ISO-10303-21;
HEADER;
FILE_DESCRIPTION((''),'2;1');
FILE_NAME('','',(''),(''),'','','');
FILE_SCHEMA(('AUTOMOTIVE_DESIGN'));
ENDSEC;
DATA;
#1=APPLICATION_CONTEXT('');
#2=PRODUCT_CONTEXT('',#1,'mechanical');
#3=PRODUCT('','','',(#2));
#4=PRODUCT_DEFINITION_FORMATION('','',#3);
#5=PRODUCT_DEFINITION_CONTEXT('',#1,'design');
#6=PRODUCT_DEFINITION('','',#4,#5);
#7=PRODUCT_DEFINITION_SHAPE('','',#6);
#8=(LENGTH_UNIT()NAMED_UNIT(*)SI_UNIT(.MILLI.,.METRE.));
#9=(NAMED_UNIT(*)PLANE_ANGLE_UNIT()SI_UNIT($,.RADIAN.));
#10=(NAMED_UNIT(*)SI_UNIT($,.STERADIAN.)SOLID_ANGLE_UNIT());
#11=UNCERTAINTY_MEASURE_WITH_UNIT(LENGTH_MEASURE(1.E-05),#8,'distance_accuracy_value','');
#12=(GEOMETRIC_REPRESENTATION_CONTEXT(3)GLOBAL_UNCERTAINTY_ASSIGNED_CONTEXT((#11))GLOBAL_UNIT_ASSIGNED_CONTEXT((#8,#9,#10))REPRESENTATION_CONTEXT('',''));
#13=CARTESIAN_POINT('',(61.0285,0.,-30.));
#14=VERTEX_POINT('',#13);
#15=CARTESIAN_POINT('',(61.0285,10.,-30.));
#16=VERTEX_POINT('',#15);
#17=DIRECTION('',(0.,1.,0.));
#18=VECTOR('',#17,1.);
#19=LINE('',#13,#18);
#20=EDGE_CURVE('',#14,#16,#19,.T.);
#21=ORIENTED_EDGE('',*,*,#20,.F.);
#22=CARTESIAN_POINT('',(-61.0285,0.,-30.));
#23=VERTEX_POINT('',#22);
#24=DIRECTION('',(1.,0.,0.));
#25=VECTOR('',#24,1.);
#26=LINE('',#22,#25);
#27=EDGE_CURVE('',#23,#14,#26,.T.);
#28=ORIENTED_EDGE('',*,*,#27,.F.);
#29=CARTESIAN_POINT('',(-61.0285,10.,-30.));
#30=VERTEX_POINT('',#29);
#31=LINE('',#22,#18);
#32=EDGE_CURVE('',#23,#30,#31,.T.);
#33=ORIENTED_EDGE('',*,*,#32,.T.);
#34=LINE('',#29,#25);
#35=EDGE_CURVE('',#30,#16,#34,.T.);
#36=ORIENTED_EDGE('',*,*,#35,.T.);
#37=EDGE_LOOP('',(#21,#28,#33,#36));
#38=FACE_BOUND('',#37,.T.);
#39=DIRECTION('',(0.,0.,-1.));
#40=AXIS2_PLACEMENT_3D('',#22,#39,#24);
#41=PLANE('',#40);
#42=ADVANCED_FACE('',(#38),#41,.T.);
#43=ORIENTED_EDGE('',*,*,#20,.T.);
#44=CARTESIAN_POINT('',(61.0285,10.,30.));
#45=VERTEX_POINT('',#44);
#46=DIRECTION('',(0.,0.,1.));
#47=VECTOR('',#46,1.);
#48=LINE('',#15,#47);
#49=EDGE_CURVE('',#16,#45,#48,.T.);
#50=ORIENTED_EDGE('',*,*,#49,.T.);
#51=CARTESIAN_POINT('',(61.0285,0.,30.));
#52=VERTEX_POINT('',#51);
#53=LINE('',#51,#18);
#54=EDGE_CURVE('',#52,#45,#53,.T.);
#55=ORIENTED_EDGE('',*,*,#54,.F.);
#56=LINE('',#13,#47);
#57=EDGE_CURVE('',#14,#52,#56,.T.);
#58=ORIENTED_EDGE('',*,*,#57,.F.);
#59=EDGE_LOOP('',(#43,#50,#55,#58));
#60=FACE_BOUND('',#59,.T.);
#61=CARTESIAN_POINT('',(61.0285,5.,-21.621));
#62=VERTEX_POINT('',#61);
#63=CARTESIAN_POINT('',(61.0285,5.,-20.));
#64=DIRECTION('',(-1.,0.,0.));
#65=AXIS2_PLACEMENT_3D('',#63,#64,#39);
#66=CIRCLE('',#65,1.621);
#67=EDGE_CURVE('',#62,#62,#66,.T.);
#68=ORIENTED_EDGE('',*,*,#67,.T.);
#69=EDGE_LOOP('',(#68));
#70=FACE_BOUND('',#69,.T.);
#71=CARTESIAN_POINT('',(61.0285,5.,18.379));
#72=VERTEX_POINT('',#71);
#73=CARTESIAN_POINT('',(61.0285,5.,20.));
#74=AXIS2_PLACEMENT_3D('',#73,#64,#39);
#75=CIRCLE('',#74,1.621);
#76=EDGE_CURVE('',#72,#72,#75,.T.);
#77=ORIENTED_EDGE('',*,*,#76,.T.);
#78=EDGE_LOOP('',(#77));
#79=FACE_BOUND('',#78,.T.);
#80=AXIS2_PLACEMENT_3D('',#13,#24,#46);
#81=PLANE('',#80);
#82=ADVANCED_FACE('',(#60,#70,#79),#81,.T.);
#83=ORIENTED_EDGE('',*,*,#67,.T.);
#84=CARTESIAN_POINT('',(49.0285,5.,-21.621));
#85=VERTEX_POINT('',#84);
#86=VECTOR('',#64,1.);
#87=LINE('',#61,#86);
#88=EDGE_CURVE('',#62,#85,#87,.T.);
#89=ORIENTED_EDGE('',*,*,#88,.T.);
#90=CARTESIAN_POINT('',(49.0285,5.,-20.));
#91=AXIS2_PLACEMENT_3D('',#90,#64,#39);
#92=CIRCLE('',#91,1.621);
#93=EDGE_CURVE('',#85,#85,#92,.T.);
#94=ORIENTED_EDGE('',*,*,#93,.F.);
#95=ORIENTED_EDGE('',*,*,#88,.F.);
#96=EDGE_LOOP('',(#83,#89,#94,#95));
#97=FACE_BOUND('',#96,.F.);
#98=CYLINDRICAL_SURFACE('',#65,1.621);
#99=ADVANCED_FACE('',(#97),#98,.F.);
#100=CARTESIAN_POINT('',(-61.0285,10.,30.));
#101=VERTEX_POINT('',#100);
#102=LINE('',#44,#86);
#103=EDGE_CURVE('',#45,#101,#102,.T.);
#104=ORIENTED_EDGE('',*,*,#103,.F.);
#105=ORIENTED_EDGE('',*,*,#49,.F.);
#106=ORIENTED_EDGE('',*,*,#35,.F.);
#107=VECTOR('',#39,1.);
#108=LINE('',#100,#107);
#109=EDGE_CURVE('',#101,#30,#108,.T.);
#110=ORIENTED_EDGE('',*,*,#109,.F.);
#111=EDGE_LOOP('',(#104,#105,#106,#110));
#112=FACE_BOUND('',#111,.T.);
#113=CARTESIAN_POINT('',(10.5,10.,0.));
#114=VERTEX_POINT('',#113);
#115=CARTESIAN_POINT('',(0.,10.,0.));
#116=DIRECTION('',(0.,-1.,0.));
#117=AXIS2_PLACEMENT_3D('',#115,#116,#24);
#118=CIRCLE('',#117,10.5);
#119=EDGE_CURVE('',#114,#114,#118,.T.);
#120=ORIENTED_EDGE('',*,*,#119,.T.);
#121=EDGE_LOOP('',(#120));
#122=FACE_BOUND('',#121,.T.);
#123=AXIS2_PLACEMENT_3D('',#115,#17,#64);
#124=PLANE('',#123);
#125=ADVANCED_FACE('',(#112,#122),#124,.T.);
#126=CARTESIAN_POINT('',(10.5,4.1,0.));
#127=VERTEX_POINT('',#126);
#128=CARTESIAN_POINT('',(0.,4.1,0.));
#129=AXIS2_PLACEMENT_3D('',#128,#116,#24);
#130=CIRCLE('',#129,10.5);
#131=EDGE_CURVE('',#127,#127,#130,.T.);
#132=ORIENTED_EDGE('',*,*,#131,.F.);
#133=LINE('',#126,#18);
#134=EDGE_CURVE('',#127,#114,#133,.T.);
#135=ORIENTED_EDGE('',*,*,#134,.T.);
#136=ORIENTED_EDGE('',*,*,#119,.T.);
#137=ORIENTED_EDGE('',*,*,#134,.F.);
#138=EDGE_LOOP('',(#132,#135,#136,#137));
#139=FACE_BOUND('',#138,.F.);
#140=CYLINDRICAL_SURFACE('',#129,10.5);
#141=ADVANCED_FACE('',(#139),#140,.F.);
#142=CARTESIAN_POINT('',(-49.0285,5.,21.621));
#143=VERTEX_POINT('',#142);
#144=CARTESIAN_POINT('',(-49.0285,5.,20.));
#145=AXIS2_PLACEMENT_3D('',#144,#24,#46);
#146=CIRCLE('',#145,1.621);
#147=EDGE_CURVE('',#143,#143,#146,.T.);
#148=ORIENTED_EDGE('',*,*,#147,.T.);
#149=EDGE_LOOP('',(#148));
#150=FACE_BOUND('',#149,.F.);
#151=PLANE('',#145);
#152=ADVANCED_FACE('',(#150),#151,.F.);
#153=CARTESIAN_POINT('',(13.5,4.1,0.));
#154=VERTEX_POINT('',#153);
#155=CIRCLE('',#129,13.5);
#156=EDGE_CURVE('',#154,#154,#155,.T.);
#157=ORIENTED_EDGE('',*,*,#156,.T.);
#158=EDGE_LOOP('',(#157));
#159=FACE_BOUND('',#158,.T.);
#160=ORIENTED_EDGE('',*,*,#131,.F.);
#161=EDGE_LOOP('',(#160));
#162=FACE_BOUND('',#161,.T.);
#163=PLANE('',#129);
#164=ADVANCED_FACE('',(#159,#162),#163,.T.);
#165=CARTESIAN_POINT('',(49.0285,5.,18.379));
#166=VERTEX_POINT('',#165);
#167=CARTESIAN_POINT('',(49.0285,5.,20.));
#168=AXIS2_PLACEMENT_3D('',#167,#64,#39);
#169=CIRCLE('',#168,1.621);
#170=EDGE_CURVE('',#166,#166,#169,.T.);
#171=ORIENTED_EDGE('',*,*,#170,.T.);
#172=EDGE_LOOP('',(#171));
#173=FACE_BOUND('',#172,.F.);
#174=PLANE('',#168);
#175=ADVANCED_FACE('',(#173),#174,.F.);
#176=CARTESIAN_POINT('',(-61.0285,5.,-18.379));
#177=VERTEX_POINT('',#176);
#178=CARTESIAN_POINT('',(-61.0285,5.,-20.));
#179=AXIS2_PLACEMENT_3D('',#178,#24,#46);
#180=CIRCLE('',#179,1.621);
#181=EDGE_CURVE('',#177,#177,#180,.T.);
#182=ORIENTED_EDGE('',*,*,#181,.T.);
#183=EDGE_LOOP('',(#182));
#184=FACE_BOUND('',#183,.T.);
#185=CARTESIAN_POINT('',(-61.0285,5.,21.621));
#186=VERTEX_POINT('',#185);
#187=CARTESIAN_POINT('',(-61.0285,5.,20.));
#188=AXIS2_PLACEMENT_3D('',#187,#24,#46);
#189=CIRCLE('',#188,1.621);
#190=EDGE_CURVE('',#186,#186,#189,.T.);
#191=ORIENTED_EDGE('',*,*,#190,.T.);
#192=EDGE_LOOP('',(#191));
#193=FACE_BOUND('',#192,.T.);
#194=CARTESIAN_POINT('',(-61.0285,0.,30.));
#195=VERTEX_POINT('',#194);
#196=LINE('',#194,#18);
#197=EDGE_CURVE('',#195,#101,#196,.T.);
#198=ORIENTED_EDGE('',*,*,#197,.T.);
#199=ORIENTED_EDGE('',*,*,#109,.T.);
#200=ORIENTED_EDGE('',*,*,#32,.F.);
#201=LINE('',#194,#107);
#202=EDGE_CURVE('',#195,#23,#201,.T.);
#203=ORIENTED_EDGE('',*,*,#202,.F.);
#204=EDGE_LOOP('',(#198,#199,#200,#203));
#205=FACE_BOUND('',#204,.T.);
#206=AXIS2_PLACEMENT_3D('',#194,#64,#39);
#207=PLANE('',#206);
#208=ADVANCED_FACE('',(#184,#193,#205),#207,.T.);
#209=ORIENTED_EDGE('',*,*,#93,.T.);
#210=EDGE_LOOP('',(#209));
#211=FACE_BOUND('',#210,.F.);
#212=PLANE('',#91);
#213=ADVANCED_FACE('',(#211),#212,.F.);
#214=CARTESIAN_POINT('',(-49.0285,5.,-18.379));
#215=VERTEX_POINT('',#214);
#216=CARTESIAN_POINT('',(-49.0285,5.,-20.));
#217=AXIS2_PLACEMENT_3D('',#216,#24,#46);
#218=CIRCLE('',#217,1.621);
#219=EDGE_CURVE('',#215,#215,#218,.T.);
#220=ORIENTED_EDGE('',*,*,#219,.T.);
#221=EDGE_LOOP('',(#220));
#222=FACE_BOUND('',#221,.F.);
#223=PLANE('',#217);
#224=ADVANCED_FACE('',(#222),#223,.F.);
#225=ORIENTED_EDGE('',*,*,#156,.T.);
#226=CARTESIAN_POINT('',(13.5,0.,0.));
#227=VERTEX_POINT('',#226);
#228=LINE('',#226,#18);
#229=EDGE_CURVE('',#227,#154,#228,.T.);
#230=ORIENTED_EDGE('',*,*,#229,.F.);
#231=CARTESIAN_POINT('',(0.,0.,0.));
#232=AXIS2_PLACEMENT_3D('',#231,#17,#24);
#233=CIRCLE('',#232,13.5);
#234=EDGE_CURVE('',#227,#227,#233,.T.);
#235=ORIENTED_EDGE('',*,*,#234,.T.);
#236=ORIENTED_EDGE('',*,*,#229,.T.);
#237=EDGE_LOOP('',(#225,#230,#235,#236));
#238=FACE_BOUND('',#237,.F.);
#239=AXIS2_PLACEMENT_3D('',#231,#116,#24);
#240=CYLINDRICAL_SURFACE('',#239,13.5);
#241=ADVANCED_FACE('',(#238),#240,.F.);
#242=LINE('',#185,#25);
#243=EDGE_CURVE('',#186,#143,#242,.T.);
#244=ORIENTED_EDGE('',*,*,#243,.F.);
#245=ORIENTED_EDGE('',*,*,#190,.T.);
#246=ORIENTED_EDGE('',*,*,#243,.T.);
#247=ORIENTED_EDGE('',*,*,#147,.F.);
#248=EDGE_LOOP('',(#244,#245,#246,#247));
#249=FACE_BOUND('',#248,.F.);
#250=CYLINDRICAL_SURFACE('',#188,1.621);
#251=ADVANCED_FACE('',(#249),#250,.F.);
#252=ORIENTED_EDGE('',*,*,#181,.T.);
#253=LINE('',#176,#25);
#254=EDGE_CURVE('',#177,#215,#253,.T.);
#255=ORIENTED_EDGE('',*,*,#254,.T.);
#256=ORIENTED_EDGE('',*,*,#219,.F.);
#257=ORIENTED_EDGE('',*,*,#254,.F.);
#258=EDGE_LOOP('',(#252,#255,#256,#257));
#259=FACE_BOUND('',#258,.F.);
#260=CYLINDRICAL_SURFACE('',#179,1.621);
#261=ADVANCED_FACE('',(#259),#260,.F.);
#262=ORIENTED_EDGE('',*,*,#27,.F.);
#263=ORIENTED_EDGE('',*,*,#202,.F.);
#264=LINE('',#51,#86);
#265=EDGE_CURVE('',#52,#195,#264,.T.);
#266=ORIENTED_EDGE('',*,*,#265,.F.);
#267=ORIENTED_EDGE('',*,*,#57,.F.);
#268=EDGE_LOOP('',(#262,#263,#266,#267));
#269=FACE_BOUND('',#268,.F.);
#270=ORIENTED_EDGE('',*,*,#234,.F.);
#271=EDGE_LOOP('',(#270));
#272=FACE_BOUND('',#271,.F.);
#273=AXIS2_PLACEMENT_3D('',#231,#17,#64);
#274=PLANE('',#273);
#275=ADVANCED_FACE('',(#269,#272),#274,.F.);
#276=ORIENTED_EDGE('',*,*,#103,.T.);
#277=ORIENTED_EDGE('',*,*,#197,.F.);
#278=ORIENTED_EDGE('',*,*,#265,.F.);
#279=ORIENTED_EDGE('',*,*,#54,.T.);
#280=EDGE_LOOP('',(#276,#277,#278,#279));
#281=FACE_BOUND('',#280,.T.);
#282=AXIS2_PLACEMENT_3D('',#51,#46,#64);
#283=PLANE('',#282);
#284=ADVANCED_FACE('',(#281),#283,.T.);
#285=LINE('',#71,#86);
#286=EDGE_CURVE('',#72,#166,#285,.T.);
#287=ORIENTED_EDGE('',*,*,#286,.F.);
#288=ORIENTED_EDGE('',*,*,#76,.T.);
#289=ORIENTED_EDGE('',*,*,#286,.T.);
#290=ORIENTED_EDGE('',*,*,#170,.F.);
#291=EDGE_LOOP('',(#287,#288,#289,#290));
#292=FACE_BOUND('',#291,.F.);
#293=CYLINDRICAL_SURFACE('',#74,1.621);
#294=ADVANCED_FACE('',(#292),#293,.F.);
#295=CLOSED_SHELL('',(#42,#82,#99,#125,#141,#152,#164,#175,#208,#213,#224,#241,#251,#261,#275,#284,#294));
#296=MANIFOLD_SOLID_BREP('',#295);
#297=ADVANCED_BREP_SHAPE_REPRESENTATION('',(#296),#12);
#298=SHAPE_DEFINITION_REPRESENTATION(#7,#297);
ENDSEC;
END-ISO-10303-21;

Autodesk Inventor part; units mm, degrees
ref_plane "YZ Plane" through (0, 0, 0) normal (1, 0, 0) x (0, 1, 0)
ref_plane "XZ Plane" through (0, 0, 0) normal (0, 1, 0) x (-1, 0, 0)
ref_plane "XY Plane" through (0, 0, 0) normal (0, 0, 1) x (1, 0, 0)
sketch "スケッチ1" plane through (0, 0, 0) normal (0, 1, 0) x (-1, 0, 0)
  line L0 (61.0285, -30) -> (-61.0285, -30)
  line L1 (-61.0285, -30) -> (-61.0285, 30)
  line L2 (-61.0285, 30) -> (61.0285, 30)
  line L3 (61.0285, 30) -> (61.0285, -30)
  line L4 (61.0285, -30) -> (-61.0285, 30) construction
  line L5 (-61.0285, -30) -> (61.0285, 30) construction
  point P0 (0, 0)
  dimension "d0" = 60
  dimension "d1" = 122.057
extrude "押し出し1" add sketch "スケッチ1" along normal blind 10
sketch "スケッチ2" plane through (0, 0, 0) normal (0, -1, 0) x (1, 0, 0)
  line L0 (-85.4399, 0) -> (85.4399, 0) projected
  line L1 (0, -42) -> (0, 42) projected
  circle A0 centre (0, 0) radius 13.5
  dimension "d4" = 27
extrude "押し出し2" cut sketch "スケッチ2" against normal blind 4.1
sketch "スケッチ3" plane through (0, 4.1, 0) normal (0, -1, 0) x (1, 0, 0)
  circle A0 centre (0, 0) radius 10.5
  dimension "d7" = 21
extrude "押し出し4" cut sketch "スケッチ3" against normal blind 10
sketch "スケッチ4" plane through (61.0285, 0, 30) normal (1, 0, 0) x (0, 0, -1)
  line L0 (60, 0) -> (0, 0) projected
  line L1 (0, 0) -> (0, 10) projected
  line L2 (60, 0) -> (60, 10) projected
  point P0 (30, 0)
  point P1 (10, 5)
  point P2 (50, 5)
  dimension "d12" = 5
  dimension "d13" = 10
  dimension "d14" = 10
  dimension "d15" = 5
hole "穴1" at (61.0285, 5, 20) at (61.0285, 5, -20) direction (-1, 0, 0) diameter 3.242 depth 12 thread size "M4x0.7" class "6H" standard "ISO Metric profile"
sketch "スケッチ5" plane through (-61.0285, 0, -30) normal (-1, 0, 0) x (0, 0, 1)
  line L0 (60, 0) -> (0, 0)
  line L1 (0, 0) -> (0, 10)
  line L2 (60, 0) -> (60, 10)
  point P0 (30, 0)
  point P1 (30, 0)
  point P2 (10, 5)
  point P3 (50, 5)
  dimension "d23" = 5
  dimension "d24" = 10
  dimension "d25" = 10
  dimension "d26" = 5
hole "穴2" at (-61.0285, 5, -20) at (-61.0285, 5, 20) direction (1, 0, 0) diameter 3.242 depth 12 thread size "M4x0.7" class "6H" standard "ISO Metric profile"
properties part number "Diffbox_plate_main" material "アルミニウム 6061"
